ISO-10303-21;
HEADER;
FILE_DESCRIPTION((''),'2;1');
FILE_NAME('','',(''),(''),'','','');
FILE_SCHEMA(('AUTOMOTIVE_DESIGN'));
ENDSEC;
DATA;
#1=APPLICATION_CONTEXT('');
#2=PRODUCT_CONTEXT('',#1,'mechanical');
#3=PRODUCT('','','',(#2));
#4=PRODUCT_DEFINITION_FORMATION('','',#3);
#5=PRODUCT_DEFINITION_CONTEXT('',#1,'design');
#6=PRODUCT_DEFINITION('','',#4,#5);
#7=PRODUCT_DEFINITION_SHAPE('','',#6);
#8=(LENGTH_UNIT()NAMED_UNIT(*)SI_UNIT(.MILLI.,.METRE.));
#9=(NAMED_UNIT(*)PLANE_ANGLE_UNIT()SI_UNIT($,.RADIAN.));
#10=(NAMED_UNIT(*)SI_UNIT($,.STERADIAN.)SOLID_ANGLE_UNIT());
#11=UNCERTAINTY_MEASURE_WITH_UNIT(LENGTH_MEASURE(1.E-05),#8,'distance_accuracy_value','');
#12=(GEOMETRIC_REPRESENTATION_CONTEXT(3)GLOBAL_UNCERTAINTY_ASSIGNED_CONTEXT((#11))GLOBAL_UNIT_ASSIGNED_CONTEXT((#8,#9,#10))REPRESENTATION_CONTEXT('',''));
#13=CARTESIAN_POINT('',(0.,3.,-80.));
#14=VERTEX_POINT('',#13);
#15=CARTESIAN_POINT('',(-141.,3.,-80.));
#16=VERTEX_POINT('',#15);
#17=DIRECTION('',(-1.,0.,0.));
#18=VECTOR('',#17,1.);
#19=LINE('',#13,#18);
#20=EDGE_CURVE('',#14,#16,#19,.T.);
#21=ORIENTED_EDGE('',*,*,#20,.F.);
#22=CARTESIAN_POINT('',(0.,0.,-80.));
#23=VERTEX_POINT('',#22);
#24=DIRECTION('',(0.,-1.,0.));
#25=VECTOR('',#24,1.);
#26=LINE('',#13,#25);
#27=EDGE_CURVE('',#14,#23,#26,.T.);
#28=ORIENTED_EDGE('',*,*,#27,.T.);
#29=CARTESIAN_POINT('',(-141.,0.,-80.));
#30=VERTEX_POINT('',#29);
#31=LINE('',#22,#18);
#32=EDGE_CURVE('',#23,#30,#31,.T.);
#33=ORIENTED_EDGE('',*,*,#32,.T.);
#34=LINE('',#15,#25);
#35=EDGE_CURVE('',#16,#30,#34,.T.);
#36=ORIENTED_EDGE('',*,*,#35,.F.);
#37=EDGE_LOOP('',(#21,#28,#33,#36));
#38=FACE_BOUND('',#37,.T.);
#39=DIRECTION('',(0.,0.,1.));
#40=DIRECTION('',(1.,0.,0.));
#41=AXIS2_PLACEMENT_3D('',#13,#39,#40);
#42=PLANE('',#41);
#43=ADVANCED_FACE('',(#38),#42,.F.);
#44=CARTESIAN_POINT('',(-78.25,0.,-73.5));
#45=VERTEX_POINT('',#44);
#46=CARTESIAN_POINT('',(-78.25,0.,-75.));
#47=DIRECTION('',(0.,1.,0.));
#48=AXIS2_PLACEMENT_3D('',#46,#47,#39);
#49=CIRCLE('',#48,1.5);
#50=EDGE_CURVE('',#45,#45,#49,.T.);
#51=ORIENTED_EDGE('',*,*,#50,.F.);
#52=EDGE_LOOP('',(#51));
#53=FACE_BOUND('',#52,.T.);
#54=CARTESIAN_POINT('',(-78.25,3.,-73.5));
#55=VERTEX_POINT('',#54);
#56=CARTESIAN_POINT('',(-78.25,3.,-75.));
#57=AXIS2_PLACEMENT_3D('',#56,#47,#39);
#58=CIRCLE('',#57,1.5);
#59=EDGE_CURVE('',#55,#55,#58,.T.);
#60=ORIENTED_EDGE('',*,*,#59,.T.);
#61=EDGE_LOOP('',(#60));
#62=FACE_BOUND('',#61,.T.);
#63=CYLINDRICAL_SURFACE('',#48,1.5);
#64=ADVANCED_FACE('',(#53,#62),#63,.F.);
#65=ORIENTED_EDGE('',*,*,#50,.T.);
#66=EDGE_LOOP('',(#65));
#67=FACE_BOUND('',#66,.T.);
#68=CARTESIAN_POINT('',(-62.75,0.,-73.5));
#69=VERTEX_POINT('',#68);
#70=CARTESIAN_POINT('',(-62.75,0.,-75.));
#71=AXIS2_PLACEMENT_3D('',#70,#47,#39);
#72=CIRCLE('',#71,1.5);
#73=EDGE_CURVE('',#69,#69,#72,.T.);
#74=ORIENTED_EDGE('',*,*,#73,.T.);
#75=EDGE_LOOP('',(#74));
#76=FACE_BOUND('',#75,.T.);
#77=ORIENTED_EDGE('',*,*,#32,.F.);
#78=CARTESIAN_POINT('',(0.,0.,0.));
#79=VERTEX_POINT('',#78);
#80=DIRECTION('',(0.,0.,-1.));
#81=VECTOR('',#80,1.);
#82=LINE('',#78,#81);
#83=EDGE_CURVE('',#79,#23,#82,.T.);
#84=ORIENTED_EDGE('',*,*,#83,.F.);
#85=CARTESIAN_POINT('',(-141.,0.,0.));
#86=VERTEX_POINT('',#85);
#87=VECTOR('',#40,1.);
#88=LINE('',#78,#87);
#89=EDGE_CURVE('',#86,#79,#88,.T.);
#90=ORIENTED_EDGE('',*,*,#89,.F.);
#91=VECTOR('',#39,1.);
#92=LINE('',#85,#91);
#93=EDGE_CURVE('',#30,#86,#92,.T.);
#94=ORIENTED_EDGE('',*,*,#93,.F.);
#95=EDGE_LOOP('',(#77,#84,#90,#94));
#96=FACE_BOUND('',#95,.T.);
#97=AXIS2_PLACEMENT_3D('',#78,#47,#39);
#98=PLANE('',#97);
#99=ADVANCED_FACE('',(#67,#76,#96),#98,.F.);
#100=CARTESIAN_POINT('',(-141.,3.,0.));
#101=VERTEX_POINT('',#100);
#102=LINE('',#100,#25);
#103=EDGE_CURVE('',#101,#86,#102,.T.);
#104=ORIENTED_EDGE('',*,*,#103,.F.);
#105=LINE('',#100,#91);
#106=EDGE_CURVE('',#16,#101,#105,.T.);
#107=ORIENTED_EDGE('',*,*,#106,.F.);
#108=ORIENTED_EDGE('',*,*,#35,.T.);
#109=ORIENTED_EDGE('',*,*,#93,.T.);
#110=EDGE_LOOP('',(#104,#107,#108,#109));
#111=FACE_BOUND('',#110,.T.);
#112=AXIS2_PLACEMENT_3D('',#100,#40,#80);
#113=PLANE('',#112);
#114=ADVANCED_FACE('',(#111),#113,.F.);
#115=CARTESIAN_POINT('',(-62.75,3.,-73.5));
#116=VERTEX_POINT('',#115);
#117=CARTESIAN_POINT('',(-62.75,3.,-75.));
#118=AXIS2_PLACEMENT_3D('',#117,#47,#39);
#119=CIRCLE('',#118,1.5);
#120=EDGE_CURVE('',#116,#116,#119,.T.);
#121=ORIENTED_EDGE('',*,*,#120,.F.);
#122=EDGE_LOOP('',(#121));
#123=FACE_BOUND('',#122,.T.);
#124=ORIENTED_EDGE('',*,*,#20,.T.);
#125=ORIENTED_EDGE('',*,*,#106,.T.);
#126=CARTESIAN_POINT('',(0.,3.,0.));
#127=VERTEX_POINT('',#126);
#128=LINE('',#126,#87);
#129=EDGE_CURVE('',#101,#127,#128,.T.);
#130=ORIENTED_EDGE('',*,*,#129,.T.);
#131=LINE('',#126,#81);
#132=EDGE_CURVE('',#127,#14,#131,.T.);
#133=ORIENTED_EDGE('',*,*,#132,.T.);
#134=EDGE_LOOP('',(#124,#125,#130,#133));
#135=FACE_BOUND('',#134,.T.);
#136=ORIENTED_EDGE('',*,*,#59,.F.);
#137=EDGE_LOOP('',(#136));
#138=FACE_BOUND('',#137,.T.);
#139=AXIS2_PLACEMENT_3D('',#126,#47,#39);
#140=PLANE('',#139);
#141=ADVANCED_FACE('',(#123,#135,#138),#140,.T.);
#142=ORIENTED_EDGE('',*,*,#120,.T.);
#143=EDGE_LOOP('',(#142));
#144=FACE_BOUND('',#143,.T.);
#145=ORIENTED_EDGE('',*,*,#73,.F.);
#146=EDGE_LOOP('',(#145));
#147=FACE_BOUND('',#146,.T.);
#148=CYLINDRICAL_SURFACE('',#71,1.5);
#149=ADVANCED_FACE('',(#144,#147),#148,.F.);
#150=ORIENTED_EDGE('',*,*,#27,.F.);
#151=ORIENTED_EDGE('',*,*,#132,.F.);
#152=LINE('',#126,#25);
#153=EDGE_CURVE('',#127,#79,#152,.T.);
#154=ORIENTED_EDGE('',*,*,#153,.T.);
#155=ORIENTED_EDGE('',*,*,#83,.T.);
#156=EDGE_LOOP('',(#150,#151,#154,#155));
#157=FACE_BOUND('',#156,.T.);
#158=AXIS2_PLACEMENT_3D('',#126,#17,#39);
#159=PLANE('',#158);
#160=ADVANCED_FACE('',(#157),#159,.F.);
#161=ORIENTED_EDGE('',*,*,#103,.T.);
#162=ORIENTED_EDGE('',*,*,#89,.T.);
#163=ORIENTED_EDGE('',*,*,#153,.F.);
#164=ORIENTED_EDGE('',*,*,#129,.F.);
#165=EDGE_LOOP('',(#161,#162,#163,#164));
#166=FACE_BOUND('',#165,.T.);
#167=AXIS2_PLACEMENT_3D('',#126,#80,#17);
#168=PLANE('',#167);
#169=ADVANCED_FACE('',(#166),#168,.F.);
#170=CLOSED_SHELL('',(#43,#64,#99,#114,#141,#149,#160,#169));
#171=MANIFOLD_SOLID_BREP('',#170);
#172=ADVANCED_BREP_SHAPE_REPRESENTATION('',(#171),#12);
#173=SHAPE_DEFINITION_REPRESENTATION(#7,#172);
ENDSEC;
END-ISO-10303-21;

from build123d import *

# Parameters (mm, degrees)
SKETCH_1_W          = 141
SKETCH_1_H          = 80
EXTRUDE_1_DEPTH     = 3
SKETCH_2_R          = 1.5
CUT_EXTRUDE_1_DEPTH = 4
SKETCH_3_R          = 1.5
CUT_EXTRUDE_2_DEPTH = 4


with BuildPart() as part:
    # ｽｹｯﾁ1 → ﾎﾞｽ - 押し出し1 (new body)
    with BuildSketch(Plane(origin=(0, 0, 0), x_dir=(1, 0, 0), z_dir=(0, 1, 0))):
        with Locations((-70.5, 40)):
            Rectangle(SKETCH_1_W, SKETCH_1_H)
    extrude(amount=EXTRUDE_1_DEPTH)

    # ｽｹｯﾁ2 → ｶｯﾄ - 押し出し1 (cut, through all)
    with BuildSketch(Plane(origin=(0, 3, 0), x_dir=(1, 0, 0), z_dir=(0, 1, 0))):
        with Locations(Location((-78.25, 75, 0), (0, 0, 270))):  # turned: the seam where the file's is
            Circle(SKETCH_2_R)
    extrude(amount=-CUT_EXTRUDE_1_DEPTH, mode=Mode.SUBTRACT)

    # ｽｹｯﾁ3 → ｶｯﾄ - 押し出し2 (cut, through all)
    with BuildSketch(Plane(origin=(0, 3, 0), x_dir=(1, 0, 0), z_dir=(0, 1, 0))):
        with Locations(Location((-62.75, 75, 0), (0, 0, 270))):  # turned: the seam where the file's is
            Circle(SKETCH_3_R)
    extrude(amount=-CUT_EXTRUDE_2_DEPTH, mode=Mode.SUBTRACT)


solid = part.part
